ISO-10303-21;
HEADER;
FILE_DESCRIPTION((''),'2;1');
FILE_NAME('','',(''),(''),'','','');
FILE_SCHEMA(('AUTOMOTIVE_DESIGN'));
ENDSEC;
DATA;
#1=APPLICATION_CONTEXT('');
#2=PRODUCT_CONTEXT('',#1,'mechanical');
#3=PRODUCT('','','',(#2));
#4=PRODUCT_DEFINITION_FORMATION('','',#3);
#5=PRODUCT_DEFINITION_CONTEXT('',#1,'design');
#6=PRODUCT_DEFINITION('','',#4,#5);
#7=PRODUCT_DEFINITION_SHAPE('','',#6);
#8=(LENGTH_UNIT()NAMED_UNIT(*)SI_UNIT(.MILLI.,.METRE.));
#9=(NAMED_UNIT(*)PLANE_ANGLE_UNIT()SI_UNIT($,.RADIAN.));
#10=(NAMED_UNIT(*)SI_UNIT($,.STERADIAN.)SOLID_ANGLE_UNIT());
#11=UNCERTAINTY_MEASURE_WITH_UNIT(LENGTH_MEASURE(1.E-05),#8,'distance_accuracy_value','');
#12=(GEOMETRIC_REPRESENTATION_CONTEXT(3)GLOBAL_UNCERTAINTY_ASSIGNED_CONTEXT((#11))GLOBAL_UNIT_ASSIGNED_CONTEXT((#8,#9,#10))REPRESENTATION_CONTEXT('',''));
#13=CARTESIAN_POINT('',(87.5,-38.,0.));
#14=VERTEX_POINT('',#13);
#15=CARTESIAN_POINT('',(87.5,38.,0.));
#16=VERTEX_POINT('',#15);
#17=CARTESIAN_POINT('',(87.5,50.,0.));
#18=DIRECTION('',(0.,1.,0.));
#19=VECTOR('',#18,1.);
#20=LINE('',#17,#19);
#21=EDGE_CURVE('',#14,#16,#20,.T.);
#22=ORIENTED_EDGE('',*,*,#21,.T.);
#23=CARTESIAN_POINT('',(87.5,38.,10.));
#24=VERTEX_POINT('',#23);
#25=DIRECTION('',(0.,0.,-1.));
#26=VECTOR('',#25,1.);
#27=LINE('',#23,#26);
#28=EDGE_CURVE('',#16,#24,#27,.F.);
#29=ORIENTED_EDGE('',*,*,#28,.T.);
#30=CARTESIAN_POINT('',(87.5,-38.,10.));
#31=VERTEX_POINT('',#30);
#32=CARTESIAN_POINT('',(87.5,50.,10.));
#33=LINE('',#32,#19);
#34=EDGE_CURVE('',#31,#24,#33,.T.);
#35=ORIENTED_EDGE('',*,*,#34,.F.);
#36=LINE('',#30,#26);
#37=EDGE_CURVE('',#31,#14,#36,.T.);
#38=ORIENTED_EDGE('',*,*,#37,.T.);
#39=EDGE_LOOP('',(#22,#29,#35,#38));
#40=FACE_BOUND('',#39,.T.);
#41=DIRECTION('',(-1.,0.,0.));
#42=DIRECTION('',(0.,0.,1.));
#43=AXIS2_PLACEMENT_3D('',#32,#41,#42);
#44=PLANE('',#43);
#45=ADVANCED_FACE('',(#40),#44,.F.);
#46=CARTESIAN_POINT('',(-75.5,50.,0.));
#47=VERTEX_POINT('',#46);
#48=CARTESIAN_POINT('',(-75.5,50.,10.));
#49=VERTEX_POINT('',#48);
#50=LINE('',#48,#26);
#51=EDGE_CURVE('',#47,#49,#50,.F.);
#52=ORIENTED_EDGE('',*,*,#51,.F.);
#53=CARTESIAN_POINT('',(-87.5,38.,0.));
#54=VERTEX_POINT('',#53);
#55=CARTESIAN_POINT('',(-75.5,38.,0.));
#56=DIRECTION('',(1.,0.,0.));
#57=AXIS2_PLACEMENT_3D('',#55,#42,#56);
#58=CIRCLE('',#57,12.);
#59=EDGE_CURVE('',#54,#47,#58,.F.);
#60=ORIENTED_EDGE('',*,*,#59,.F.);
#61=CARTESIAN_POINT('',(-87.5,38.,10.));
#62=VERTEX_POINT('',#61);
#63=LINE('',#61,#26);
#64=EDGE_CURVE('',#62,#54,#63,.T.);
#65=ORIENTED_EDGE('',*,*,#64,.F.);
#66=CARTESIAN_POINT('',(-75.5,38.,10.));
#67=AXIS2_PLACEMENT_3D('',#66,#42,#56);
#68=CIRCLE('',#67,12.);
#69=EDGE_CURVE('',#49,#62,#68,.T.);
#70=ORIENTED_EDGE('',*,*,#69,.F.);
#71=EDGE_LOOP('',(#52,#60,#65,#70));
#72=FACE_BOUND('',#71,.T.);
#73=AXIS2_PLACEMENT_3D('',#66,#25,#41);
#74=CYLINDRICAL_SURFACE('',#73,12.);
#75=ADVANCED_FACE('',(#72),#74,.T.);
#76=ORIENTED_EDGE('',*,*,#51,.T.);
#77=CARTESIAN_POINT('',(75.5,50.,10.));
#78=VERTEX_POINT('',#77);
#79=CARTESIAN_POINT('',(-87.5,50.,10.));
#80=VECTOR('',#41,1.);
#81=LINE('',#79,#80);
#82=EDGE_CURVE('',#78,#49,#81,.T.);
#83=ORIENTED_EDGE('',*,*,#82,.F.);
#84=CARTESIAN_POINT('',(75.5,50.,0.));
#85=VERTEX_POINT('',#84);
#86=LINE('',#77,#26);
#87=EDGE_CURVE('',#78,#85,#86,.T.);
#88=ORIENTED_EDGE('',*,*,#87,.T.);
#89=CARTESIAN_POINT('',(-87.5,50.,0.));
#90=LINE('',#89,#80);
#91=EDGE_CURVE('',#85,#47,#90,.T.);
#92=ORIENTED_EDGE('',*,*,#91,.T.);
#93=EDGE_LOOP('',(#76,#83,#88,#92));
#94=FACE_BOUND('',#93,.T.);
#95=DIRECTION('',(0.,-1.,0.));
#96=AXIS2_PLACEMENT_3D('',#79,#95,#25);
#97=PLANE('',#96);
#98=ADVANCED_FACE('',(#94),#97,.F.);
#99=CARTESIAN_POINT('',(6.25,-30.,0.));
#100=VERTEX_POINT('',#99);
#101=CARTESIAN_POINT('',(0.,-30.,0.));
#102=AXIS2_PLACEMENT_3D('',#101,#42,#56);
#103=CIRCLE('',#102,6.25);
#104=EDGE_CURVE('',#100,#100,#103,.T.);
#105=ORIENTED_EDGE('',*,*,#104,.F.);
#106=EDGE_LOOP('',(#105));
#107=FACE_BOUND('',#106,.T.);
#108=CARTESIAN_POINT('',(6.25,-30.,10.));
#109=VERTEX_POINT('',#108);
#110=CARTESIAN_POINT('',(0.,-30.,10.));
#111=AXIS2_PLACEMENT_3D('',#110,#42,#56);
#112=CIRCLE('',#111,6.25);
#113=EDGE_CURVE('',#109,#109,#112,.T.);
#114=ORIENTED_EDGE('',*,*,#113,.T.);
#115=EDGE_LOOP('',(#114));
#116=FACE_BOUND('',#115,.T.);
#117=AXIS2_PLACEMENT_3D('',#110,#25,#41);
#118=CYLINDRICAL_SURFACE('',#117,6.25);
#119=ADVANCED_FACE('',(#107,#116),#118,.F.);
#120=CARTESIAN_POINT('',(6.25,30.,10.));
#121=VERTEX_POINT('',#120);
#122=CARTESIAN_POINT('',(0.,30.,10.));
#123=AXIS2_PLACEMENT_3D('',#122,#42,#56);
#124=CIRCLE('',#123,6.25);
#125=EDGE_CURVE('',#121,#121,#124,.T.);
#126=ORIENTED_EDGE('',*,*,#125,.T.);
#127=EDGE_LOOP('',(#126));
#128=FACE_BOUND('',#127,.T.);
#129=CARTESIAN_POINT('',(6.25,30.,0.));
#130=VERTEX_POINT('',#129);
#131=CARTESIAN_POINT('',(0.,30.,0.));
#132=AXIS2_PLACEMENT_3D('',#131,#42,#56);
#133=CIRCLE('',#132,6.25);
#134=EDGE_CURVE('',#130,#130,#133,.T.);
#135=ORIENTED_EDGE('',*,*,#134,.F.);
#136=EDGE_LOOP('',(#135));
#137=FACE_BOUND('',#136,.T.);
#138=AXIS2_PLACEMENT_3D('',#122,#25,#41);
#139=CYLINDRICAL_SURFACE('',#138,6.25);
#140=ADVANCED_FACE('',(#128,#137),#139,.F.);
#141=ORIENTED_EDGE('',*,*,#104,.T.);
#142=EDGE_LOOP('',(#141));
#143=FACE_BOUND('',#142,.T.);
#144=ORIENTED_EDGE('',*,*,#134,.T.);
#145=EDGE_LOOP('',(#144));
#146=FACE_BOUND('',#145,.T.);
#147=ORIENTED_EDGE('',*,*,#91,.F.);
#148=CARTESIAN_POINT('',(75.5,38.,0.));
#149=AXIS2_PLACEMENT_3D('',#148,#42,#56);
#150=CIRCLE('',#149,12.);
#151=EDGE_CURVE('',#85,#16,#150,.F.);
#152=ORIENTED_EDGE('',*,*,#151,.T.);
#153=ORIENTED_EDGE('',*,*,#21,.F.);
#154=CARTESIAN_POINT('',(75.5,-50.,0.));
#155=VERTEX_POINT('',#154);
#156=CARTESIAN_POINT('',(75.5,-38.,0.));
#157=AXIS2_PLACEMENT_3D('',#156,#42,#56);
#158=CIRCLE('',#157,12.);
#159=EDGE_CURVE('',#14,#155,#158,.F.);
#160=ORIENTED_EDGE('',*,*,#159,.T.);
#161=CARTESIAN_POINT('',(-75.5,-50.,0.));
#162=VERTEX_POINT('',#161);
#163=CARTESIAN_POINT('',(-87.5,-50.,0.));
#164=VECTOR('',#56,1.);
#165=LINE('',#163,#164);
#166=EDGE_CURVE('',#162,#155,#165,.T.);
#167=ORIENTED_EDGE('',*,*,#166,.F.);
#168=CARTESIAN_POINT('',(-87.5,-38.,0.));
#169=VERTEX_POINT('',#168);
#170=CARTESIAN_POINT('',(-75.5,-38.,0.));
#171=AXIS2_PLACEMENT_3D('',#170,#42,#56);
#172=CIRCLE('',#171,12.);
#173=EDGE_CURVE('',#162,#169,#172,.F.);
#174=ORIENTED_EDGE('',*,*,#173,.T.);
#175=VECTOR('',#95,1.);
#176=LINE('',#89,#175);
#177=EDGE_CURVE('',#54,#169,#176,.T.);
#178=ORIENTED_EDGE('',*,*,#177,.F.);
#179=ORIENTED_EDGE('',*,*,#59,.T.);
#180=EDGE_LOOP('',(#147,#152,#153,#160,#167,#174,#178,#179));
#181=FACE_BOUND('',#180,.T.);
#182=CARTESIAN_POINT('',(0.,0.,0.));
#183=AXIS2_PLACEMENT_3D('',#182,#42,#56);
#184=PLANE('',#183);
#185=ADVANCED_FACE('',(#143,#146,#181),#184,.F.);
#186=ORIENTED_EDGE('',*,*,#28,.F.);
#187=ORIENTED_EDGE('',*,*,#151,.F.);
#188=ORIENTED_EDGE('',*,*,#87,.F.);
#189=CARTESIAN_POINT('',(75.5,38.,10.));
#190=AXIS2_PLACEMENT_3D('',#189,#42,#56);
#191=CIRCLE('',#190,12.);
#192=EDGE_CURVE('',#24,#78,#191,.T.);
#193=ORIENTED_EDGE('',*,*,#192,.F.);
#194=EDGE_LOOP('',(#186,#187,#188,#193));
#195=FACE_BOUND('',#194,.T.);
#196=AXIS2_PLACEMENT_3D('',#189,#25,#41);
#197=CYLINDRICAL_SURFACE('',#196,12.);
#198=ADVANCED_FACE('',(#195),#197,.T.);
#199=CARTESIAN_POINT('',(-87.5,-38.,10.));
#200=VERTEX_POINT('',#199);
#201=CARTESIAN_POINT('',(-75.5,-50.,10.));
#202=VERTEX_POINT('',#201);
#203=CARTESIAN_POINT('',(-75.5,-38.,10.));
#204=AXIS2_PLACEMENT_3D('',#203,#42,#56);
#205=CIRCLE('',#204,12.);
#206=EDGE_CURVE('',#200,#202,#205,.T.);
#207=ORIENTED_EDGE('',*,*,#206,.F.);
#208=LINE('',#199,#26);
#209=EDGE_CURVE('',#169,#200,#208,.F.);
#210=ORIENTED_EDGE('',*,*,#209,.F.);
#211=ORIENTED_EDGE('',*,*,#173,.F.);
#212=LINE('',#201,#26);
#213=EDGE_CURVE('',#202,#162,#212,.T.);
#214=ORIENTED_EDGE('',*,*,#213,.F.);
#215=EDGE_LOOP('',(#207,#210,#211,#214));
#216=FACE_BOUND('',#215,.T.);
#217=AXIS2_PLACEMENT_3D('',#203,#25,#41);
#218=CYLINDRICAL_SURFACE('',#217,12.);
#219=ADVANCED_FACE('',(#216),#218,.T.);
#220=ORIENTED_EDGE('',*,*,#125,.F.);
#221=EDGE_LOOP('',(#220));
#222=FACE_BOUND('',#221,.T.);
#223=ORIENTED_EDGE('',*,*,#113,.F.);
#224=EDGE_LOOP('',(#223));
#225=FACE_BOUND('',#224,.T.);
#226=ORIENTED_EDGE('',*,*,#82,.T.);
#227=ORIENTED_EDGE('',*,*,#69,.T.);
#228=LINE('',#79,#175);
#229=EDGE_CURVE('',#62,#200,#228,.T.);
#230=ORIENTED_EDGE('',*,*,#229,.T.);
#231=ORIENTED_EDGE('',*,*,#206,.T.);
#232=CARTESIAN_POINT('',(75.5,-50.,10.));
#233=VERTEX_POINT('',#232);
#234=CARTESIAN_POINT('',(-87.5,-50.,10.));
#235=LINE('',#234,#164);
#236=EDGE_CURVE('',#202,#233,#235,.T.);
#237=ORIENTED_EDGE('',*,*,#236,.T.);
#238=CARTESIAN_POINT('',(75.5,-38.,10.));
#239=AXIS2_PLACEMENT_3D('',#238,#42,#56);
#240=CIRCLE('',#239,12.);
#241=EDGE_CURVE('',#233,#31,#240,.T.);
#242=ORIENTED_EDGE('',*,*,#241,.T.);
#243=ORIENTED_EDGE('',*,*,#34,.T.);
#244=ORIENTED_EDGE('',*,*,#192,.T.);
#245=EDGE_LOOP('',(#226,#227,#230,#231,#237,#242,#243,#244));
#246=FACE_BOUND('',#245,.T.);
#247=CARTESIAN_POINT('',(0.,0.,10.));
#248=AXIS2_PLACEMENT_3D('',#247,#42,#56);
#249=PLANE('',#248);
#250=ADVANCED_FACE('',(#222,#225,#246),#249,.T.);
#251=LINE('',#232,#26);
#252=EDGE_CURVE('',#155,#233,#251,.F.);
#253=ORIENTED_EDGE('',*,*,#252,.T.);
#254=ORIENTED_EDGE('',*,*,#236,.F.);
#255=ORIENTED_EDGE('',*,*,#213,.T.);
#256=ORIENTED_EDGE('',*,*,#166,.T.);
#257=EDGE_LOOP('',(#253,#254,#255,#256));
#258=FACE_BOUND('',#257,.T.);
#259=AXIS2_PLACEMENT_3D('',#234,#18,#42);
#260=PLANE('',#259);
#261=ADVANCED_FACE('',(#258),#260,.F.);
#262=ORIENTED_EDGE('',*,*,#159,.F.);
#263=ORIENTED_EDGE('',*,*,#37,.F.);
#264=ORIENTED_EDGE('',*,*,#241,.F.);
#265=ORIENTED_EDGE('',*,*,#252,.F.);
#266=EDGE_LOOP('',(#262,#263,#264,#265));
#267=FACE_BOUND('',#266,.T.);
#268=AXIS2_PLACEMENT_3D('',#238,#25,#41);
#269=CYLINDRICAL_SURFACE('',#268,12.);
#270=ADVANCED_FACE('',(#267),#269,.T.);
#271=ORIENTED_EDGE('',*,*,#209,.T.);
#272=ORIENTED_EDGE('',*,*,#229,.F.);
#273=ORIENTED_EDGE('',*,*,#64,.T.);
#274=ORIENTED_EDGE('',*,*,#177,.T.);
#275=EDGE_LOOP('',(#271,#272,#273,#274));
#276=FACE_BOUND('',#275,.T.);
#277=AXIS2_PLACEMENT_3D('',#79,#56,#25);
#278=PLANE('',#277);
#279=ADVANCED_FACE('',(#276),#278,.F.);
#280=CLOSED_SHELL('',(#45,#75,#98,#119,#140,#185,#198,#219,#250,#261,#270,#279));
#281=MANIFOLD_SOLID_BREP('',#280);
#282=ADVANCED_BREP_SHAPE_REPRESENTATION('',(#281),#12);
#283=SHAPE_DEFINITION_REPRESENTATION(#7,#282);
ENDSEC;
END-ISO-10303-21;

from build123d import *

# Parameters (mm, degrees)
ESQUISSE1_W        = 175
ESQUISSE1_H        = 100
ESQUISSE1_R        = 6.25
BOSS_EXTRU_1_DEPTH = 10
CONG_1_R           = 12


with BuildPart() as part:
    # Esquisse1 → Boss.-Extru.1 (new body)
    with BuildSketch(Plane.XY):
        Rectangle(ESQUISSE1_W, ESQUISSE1_H)
        with Locations((0, 30)):
            Circle(ESQUISSE1_R, mode=Mode.SUBTRACT)
        with Locations((0, -30)):
            Circle(ESQUISSE1_R, mode=Mode.SUBTRACT)
    extrude(amount=BOSS_EXTRU_1_DEPTH)

    # Congé1
    cong_1_edges = [part.edges().sort_by_distance(p)[0] for p in [
        (87.5, -50, 5),
        (-87.5, -50, 5),
        (-87.5, 50, 5),
        (87.5, 50, 5),
    ]]
    fillet(cong_1_edges, radius=CONG_1_R)


solid = part.part
